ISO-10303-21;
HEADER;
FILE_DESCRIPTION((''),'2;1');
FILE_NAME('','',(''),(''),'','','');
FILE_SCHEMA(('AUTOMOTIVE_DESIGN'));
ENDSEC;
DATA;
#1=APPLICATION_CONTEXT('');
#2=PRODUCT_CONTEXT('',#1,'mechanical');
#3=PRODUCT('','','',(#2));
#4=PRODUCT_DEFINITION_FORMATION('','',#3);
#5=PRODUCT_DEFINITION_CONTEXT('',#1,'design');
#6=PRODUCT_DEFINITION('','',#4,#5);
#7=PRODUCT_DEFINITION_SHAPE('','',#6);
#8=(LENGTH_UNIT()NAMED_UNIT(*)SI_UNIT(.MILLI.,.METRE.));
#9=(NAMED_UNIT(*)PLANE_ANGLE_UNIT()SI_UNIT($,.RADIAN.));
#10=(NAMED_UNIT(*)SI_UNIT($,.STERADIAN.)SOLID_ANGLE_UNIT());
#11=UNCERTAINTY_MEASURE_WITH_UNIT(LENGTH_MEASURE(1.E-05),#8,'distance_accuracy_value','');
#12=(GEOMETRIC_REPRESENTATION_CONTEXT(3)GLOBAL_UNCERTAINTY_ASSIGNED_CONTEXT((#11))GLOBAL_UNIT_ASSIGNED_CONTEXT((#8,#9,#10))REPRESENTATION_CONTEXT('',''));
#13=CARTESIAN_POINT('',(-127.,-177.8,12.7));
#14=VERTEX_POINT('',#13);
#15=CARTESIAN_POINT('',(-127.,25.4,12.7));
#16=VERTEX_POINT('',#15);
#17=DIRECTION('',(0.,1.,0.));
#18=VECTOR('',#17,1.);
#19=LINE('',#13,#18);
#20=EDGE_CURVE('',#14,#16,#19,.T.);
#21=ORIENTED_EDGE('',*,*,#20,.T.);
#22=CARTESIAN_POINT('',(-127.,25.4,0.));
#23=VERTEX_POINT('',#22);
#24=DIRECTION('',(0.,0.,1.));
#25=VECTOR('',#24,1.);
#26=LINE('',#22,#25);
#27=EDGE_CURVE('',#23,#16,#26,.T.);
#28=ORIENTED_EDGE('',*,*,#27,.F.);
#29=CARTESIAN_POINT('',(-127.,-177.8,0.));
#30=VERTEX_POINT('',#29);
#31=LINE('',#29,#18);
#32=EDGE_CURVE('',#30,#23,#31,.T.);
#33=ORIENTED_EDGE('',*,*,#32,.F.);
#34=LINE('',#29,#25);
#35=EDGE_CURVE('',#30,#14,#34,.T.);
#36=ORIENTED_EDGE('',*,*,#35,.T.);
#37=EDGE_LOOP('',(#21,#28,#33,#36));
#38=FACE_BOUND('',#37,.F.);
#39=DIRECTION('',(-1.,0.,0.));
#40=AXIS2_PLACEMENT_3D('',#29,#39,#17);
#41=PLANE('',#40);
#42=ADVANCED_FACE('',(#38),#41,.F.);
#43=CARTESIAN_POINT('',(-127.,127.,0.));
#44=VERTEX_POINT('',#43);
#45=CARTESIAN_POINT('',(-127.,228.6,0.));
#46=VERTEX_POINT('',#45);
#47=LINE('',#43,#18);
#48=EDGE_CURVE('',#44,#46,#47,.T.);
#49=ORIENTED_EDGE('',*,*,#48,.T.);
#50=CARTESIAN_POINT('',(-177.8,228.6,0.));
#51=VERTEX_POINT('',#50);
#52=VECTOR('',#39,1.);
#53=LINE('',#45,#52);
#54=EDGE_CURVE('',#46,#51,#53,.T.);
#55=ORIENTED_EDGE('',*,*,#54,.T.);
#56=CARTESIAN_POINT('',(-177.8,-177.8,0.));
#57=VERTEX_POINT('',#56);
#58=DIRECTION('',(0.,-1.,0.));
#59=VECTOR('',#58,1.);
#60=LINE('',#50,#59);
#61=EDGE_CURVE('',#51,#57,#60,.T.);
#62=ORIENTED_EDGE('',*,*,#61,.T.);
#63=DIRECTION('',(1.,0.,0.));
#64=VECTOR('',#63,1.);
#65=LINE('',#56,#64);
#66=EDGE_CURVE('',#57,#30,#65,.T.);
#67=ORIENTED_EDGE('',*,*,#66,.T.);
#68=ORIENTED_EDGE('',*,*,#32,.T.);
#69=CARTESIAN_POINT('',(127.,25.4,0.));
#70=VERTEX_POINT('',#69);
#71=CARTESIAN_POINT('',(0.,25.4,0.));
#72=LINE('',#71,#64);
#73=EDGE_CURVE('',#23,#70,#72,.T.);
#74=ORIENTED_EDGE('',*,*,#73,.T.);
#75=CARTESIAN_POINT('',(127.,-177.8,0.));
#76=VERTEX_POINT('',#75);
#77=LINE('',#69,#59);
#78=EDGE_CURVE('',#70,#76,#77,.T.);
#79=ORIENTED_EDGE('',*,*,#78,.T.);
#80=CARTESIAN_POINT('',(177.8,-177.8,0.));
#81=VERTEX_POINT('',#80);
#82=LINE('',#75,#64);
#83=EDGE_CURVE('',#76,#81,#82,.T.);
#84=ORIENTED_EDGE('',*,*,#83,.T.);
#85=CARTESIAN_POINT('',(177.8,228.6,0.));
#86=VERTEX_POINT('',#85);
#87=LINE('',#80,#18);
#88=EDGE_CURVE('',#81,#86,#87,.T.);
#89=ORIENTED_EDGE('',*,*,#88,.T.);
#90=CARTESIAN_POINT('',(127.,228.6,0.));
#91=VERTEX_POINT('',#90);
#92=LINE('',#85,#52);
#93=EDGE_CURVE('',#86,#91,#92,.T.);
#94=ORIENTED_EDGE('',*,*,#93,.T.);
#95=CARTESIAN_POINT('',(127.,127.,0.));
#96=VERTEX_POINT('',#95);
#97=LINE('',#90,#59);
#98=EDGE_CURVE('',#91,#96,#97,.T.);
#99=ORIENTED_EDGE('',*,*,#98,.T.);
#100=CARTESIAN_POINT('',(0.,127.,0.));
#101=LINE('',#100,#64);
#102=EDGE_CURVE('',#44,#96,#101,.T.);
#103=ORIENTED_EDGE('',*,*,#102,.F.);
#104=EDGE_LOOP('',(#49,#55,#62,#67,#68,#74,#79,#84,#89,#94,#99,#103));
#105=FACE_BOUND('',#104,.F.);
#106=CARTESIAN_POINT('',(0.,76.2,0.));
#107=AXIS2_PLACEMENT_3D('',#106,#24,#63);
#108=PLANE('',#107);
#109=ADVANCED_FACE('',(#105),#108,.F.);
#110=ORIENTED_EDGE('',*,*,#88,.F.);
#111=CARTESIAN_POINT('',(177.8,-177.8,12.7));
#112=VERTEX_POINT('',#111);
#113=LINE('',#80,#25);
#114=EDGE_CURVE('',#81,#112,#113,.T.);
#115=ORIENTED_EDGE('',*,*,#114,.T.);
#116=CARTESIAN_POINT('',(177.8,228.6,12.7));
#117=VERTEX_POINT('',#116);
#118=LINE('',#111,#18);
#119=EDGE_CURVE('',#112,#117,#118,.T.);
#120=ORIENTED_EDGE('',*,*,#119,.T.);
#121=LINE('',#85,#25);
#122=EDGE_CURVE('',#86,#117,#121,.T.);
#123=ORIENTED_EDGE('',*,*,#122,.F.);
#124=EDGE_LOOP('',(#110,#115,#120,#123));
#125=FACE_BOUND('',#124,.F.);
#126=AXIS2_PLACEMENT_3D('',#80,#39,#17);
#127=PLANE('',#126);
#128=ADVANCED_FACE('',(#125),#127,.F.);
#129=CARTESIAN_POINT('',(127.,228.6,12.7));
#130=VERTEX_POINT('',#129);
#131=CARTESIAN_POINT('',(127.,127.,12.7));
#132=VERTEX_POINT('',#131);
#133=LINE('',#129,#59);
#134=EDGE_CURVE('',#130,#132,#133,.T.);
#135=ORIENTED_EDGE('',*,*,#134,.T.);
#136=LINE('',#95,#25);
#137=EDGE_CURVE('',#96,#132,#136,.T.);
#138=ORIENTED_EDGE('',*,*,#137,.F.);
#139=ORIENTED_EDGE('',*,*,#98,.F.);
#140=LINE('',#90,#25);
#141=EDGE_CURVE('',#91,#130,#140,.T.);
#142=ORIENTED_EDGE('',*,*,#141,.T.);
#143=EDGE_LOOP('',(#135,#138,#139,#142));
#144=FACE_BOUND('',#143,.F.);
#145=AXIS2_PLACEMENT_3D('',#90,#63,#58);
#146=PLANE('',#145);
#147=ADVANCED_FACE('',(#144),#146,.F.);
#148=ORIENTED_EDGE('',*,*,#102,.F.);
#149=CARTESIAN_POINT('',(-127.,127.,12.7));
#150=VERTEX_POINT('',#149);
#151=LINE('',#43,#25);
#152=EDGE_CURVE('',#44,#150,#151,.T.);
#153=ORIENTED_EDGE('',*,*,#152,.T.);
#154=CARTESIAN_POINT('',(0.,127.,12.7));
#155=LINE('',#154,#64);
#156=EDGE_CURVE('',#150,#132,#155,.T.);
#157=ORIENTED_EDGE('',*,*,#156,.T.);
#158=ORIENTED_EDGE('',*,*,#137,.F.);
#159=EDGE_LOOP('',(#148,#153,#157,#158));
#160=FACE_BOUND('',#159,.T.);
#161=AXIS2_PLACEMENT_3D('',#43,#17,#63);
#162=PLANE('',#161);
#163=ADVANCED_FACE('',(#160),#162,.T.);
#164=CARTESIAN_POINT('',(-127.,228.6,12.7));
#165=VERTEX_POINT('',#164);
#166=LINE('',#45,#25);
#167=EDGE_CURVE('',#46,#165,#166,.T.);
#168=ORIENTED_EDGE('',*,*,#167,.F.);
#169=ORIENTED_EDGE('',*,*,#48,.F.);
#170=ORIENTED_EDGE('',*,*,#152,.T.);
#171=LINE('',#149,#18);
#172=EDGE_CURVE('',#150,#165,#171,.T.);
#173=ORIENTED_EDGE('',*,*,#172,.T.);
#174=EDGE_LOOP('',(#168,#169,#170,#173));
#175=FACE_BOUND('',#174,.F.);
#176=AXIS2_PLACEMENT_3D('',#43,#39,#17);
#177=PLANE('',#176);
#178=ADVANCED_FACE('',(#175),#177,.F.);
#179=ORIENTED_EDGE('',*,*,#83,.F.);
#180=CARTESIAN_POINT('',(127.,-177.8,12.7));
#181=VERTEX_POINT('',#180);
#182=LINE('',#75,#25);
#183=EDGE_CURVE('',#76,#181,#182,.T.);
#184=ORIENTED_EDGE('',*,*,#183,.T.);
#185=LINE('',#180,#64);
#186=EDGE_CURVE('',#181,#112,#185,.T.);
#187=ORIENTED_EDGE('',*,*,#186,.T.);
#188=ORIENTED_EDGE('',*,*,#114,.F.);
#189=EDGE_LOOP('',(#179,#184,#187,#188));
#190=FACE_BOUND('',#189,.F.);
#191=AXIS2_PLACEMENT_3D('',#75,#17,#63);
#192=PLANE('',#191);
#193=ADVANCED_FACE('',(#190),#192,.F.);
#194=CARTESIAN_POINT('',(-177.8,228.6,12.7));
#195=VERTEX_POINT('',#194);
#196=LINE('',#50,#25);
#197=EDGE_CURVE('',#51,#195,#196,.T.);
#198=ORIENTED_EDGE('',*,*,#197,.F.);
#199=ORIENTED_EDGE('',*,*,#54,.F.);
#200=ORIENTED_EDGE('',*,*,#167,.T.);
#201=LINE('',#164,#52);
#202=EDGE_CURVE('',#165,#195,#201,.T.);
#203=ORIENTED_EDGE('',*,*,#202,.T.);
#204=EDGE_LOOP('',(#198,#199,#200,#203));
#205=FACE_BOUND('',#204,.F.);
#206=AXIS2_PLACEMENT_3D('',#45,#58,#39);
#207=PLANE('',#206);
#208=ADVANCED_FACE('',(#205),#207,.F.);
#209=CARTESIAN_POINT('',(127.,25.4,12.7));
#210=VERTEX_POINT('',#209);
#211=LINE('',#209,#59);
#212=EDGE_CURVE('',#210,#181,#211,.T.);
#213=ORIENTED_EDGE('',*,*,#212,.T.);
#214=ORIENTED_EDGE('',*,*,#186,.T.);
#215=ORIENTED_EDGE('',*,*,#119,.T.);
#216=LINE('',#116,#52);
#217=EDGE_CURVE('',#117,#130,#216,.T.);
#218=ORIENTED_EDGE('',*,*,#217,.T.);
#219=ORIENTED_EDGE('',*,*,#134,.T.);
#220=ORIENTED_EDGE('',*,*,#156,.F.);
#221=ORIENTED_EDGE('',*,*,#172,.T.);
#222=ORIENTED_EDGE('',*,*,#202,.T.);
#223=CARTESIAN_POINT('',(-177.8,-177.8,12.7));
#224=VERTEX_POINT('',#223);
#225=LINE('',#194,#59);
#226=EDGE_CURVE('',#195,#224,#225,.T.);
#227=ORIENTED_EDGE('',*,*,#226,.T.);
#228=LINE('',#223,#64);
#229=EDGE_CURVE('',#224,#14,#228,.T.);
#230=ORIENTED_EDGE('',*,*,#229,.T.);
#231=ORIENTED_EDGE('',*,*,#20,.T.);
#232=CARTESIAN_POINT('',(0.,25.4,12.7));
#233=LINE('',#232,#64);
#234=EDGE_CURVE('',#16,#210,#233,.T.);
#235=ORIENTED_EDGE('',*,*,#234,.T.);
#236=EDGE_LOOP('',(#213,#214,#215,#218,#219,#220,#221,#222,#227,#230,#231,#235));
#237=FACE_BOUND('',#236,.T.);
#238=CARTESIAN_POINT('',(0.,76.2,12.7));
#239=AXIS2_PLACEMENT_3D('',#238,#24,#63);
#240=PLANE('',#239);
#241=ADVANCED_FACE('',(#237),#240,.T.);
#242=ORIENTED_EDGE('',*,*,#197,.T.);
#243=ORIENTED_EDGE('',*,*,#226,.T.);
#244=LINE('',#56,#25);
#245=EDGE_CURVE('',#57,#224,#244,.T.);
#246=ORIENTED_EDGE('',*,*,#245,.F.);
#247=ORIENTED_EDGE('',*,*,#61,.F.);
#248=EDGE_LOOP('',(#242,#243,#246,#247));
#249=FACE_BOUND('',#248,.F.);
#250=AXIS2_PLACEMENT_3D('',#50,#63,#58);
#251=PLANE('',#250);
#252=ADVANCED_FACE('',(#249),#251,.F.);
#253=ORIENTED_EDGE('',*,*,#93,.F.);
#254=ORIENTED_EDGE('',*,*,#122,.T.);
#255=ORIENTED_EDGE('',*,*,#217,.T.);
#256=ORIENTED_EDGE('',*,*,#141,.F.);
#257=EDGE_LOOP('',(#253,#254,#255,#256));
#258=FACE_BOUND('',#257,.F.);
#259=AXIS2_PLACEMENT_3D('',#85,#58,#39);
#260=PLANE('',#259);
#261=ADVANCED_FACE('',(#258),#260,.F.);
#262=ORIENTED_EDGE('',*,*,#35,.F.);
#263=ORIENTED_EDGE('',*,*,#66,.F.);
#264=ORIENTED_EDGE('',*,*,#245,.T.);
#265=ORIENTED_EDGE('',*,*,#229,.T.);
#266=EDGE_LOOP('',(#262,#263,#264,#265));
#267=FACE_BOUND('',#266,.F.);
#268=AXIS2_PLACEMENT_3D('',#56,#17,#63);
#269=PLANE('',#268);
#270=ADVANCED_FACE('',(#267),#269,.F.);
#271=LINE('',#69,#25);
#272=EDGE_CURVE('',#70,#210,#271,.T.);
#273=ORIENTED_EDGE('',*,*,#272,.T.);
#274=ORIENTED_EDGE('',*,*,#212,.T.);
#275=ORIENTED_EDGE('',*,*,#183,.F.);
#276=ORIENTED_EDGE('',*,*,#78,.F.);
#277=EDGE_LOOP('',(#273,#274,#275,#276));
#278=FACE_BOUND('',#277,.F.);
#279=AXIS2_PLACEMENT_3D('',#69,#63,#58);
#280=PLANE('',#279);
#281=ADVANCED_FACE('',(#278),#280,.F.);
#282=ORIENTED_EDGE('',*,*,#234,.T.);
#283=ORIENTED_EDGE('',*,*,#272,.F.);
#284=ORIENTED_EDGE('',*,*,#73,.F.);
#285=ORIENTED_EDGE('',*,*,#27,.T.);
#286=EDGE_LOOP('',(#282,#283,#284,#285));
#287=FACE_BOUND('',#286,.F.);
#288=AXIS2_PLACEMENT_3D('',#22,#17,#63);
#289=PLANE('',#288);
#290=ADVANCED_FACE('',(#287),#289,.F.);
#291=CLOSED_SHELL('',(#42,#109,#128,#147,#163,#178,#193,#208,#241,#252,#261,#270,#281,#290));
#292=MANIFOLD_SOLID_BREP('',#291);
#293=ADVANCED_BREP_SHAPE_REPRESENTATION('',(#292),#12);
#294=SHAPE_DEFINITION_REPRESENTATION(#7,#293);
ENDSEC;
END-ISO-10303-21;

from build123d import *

# Parameters (mm, degrees)
F0_W     = 254
F0_H     = 101.6
F1_DEPTH = 12.7


with BuildPart() as f1:
    # F0 (on Top) → F1 (new body)
    with BuildSketch(Plane.XY):
        with Locations((0, 76.2)):
            Rectangle(F0_W, F0_H)
        Polygon((-177.8, 228.6), (-177.8, -177.8), (-127, -177.8), (-127, 25.4), (-127, 127), (-127, 228.6), align=None)
        Polygon((127, 127), (127, 25.4), (127, -177.8), (177.8, -177.8), (177.8, 228.6), (127, 228.6), align=None)
    extrude(amount=F1_DEPTH)


solid = f1.part
